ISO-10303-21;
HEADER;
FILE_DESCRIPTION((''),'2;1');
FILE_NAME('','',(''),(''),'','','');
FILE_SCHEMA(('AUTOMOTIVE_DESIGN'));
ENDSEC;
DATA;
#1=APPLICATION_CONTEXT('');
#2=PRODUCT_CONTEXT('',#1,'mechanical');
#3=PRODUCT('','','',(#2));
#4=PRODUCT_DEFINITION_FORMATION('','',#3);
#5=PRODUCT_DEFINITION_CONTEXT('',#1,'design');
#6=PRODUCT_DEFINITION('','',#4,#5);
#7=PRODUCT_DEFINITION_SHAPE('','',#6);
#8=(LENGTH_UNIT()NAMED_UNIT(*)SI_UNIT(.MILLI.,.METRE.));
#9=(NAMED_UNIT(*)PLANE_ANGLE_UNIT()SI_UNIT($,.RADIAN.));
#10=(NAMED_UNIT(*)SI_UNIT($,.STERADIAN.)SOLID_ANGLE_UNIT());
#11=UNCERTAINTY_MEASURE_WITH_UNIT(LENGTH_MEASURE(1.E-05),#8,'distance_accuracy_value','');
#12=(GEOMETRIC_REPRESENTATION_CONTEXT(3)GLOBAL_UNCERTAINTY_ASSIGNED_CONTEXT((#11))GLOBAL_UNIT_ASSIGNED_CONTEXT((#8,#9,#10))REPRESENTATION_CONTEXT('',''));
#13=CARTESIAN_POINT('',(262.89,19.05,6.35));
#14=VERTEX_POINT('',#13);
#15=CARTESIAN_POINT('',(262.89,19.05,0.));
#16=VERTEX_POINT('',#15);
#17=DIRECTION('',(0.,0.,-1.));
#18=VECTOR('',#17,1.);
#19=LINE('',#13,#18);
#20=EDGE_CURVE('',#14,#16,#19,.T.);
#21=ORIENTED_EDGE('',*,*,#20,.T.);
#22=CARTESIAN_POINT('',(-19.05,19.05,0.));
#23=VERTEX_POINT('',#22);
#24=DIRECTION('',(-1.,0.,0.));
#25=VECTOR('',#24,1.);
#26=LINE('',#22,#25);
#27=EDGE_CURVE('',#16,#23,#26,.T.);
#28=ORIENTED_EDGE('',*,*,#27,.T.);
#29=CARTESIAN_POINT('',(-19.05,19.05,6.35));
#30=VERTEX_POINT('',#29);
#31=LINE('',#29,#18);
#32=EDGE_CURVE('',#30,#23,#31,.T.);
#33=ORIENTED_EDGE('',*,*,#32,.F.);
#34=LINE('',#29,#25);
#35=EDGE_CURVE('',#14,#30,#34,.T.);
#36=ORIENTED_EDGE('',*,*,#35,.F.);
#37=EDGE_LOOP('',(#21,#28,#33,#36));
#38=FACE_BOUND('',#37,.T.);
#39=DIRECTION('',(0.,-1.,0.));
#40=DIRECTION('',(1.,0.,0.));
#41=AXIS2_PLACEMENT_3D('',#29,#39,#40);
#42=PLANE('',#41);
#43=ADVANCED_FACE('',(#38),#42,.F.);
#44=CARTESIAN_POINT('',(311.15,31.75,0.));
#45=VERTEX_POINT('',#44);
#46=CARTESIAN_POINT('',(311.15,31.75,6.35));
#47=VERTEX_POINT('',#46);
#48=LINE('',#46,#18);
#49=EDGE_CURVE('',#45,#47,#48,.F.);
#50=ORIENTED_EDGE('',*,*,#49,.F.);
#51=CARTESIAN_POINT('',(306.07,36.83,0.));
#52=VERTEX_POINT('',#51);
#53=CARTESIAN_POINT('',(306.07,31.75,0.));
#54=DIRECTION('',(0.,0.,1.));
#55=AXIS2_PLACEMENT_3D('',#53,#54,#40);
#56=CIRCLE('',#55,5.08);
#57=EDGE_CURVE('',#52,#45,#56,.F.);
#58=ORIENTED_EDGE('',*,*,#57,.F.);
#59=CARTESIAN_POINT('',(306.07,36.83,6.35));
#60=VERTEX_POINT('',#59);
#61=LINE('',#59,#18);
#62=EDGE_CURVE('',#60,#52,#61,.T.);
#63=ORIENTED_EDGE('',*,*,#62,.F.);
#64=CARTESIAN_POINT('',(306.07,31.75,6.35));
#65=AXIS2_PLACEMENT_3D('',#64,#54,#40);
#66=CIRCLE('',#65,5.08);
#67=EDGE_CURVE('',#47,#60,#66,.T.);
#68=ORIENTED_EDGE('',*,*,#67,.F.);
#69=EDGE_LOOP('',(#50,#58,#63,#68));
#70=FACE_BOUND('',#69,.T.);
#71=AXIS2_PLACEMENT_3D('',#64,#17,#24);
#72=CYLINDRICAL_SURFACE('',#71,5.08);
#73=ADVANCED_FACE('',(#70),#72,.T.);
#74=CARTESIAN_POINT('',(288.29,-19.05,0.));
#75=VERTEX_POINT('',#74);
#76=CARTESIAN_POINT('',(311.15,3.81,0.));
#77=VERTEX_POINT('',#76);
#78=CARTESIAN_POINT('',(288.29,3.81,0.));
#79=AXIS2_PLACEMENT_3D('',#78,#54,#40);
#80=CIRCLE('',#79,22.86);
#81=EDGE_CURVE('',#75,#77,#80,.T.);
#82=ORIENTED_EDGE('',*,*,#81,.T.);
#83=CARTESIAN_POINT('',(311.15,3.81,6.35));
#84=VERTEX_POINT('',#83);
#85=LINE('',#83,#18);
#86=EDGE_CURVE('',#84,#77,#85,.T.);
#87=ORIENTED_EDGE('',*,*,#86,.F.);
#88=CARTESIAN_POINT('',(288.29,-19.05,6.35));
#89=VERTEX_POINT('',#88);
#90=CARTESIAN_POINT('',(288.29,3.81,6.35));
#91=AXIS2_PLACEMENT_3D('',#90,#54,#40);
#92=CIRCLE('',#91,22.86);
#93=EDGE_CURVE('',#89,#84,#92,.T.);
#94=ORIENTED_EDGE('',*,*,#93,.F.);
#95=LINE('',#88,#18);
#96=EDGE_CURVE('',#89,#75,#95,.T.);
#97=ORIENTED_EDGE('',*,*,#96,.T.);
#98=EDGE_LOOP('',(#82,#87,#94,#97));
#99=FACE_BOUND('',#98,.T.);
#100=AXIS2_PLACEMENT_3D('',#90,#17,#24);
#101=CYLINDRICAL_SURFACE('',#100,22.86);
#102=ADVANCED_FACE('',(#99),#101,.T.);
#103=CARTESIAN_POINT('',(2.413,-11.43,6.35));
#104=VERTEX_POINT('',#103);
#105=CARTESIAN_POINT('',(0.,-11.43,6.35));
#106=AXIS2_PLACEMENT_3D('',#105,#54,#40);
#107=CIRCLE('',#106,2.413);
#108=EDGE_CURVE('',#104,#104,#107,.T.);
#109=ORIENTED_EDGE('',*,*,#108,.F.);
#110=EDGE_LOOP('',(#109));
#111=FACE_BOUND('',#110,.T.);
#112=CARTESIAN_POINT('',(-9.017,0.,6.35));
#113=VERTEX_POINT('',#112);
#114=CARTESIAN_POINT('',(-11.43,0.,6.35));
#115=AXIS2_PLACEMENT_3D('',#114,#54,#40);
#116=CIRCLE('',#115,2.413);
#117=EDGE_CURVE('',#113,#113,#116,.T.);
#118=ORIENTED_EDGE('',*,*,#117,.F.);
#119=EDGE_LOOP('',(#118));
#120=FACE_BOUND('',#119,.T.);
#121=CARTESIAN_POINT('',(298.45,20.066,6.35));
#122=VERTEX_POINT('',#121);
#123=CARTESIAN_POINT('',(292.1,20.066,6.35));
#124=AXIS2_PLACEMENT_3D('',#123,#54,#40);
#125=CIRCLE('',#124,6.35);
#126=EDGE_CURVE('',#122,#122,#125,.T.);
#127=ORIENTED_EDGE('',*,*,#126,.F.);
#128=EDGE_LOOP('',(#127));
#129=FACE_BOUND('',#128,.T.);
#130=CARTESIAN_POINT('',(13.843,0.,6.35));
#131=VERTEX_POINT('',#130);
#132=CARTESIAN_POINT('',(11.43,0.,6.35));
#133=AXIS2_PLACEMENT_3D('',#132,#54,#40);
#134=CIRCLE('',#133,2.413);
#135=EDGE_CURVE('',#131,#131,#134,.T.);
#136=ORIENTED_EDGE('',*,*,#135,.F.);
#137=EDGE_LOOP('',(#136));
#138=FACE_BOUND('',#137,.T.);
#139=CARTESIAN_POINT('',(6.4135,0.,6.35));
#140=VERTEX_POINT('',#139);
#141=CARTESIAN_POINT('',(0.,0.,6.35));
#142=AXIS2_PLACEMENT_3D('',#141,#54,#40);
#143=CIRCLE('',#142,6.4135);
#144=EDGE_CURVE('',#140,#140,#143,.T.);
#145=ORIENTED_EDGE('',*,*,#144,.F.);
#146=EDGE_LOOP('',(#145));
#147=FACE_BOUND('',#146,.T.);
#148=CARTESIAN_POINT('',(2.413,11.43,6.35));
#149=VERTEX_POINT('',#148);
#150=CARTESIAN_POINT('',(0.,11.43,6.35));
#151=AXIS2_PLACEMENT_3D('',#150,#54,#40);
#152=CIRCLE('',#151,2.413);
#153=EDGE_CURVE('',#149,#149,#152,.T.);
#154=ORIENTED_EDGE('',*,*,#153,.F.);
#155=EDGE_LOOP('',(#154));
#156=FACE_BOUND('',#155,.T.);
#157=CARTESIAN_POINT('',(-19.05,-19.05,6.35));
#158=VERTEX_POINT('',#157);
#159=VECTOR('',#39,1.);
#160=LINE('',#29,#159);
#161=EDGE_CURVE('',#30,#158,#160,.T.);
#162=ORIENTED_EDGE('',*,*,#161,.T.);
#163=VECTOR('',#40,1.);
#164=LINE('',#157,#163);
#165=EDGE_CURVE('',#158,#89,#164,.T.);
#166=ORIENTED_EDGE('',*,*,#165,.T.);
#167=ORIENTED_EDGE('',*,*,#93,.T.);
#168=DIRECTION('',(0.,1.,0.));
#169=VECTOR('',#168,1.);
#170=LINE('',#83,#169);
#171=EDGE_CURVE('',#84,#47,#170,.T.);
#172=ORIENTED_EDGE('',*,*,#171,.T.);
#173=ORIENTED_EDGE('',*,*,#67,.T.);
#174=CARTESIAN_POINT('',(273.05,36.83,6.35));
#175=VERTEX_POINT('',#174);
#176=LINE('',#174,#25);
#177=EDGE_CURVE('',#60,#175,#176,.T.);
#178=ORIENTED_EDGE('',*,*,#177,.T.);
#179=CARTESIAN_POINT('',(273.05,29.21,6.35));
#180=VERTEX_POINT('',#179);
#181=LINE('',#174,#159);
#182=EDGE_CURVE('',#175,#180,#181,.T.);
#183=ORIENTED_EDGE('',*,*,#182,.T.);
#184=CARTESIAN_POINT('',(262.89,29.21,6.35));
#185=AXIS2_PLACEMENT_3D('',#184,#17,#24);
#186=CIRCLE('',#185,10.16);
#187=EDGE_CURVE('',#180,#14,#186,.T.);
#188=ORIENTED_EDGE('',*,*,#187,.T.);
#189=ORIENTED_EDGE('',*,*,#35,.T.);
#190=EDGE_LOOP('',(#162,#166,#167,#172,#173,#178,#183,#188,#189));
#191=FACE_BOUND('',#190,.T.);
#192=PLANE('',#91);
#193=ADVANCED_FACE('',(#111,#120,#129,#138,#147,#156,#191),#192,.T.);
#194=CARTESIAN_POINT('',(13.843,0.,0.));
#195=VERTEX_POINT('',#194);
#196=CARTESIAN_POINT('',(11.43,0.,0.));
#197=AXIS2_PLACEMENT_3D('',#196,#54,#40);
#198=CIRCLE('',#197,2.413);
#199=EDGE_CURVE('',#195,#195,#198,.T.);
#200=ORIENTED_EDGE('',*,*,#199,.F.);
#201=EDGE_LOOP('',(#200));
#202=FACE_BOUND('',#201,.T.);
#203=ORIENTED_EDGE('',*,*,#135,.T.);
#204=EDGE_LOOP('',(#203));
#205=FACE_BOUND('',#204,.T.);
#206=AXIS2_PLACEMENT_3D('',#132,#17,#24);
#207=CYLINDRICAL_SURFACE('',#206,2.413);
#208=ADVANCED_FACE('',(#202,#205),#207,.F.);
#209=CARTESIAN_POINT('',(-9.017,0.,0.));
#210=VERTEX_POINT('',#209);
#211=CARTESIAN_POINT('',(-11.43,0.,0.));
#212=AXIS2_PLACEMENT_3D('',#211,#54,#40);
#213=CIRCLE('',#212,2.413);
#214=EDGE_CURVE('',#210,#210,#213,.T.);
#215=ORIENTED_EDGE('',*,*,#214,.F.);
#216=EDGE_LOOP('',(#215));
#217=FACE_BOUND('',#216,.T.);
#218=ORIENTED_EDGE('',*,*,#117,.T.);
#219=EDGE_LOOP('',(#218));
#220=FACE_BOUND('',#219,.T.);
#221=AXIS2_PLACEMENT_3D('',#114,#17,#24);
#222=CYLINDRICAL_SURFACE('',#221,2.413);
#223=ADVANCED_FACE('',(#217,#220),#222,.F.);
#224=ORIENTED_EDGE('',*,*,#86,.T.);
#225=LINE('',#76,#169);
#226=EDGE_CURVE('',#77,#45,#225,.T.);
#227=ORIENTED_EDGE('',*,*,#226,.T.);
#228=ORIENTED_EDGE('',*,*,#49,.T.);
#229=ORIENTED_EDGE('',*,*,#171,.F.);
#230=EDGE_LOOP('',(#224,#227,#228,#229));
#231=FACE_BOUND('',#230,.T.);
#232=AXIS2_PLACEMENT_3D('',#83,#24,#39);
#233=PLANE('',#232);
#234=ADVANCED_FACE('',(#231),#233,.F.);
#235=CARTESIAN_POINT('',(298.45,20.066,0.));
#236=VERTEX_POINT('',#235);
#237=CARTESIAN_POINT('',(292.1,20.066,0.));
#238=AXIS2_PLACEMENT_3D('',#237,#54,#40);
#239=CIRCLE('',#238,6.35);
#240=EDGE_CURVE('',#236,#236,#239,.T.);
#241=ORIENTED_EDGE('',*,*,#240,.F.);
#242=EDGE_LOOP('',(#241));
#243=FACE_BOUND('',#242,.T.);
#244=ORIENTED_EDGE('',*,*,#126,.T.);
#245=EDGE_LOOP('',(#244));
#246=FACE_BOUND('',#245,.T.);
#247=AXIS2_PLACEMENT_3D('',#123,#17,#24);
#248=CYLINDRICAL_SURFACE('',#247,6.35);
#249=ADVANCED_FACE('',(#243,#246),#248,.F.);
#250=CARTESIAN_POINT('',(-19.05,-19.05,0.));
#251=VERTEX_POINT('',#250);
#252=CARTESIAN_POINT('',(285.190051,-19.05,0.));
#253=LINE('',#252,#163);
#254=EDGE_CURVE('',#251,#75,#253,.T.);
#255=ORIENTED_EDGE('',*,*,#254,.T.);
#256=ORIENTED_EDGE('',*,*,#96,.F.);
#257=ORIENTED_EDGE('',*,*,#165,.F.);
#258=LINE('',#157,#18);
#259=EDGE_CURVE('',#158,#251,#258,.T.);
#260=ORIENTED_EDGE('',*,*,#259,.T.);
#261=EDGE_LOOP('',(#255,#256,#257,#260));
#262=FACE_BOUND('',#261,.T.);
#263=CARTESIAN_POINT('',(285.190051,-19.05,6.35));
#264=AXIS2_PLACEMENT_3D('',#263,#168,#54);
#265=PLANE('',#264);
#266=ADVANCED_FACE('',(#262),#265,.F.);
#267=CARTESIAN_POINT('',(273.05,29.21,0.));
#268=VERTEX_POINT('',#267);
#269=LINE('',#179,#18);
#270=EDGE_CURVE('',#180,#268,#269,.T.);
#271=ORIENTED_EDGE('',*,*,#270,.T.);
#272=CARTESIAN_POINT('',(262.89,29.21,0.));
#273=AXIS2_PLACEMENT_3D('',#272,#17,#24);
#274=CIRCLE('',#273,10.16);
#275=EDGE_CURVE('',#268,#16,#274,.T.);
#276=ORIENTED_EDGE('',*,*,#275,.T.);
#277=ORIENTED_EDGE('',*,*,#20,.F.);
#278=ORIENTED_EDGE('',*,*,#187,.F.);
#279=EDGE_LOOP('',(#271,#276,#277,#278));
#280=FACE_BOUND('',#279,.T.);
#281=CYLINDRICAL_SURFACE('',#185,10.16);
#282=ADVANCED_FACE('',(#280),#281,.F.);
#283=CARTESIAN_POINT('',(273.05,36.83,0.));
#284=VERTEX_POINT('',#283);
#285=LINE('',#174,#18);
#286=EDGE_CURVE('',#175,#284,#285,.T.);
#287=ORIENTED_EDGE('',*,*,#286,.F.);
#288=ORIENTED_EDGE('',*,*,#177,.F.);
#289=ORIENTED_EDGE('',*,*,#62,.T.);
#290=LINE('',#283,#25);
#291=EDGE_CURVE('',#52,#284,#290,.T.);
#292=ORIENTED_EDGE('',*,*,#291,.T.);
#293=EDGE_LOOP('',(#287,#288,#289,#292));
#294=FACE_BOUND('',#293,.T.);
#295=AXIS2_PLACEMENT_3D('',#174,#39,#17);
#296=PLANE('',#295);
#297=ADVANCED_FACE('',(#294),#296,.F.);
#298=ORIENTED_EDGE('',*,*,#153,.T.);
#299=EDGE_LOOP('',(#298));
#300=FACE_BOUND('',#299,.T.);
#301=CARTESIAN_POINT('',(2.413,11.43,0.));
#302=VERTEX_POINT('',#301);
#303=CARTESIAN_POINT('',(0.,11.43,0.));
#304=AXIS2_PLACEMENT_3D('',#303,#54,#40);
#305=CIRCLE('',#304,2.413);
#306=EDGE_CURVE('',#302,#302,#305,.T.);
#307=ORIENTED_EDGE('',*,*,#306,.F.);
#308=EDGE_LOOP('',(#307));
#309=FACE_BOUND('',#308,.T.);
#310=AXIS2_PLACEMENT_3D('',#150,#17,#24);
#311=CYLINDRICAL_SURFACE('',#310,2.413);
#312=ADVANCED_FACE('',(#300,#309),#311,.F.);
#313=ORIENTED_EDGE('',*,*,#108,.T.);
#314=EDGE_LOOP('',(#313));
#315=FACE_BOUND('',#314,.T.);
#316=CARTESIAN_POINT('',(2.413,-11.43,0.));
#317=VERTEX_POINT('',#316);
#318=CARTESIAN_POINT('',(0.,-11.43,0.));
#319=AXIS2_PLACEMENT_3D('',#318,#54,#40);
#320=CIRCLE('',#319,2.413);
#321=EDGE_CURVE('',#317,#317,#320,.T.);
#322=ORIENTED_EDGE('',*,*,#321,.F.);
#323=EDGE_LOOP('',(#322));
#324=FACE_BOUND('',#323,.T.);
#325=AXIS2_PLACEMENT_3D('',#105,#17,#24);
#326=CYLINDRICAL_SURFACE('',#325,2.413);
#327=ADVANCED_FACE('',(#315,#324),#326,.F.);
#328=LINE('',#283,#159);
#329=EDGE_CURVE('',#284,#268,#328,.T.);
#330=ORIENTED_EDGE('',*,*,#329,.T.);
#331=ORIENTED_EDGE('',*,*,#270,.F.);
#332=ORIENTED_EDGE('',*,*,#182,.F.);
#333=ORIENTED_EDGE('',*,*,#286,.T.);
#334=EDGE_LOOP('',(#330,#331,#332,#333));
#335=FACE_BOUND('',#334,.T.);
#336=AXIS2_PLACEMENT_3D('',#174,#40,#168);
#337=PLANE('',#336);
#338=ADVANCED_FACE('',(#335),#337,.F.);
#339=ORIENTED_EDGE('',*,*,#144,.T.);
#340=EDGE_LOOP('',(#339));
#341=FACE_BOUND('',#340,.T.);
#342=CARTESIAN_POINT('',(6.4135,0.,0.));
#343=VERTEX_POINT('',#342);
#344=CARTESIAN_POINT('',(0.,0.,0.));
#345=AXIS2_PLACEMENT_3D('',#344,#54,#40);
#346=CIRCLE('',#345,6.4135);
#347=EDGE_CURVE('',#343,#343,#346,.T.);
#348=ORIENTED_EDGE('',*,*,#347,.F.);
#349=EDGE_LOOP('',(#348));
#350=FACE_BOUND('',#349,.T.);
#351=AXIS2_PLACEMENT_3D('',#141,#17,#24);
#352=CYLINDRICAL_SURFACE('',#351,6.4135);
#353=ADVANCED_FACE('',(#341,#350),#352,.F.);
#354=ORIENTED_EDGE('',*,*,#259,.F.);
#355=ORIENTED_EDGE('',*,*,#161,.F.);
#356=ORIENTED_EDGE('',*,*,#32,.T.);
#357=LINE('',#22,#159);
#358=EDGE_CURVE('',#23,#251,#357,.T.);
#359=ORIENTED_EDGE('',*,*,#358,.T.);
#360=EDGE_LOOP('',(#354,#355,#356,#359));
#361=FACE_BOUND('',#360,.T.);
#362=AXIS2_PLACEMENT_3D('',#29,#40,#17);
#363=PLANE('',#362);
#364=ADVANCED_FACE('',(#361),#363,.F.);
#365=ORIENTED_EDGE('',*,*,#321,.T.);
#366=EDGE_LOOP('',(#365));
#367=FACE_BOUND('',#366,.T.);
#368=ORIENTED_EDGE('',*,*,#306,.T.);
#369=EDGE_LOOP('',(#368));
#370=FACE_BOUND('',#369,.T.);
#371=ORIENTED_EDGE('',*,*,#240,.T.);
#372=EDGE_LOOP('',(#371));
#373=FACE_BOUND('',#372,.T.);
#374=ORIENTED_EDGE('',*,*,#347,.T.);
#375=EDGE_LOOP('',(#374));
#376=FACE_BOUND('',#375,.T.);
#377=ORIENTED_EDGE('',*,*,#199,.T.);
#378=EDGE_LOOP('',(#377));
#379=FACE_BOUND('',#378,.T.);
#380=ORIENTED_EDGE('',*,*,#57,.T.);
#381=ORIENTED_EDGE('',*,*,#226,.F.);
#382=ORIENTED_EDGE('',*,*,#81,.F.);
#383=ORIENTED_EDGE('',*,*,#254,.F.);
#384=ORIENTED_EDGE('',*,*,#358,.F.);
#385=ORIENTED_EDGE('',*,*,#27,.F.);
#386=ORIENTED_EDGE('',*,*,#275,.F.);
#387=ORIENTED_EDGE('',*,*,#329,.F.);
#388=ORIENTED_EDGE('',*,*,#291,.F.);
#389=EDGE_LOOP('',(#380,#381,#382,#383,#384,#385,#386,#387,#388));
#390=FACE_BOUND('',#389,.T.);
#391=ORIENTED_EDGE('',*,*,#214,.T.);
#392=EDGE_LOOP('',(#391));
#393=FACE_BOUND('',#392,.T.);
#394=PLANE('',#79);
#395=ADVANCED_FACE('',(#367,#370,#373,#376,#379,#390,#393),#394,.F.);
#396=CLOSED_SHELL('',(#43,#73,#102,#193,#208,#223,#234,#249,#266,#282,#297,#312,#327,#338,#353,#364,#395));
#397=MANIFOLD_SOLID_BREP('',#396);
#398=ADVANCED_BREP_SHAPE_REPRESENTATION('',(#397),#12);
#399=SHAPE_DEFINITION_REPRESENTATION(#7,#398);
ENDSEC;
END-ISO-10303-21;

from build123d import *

# Parameters (mm, degrees)
SKETCH1_R           = 6.4135
SKETCH1_R_2         = 2.413
SKETCH1_R_3         = 6.35
BOSS_EXTRUDE1_DEPTH = 6.35
FILLET1_R           = 5.08


with BuildPart() as part:
    # Sketch1 → Boss-Extrude1 (new body)
    with BuildSketch(Plane.XY):
        with BuildLine():
            Line((273.05, 36.83), (273.05, 29.21))
            ThreePointArc((273.05, 29.21), (270.074204897, 22.025795103), (262.89, 19.05))
            Line((262.89, 19.05), (-19.05, 19.05))
            Line((-19.05, 19.05), (-19.05, -19.05))
            Line((-19.05, -19.05), (285.190051277, -19.05))
            Line((285.190051277, -19.05), (288.29, -19.05))
            ThreePointArc((288.29, -19.05), (304.454461018, -12.354461018), (311.15, 3.81))
            Line((311.15, 3.81), (311.15, 36.83))
            Line((311.15, 36.83), (273.05, 36.83))
        make_face()
        Circle(SKETCH1_R, mode=Mode.SUBTRACT)
        with Locations((0, 11.43)):
            Circle(SKETCH1_R_2, mode=Mode.SUBTRACT)
        with Locations((11.43, 0)):
            Circle(SKETCH1_R_2, mode=Mode.SUBTRACT)
        with Locations((0, -11.43)):
            Circle(SKETCH1_R_2, mode=Mode.SUBTRACT)
        with Locations((-11.43, 0)):
            Circle(SKETCH1_R_2, mode=Mode.SUBTRACT)
        with Locations((292.1, 20.066)):
            Circle(SKETCH1_R_3, mode=Mode.SUBTRACT)
    extrude(amount=BOSS_EXTRUDE1_DEPTH)

    # Fillet1
    fillet1_edges = [part.edges().sort_by_distance(p)[0] for p in [
        (311.15, 36.83, 3.175),
    ]]
    fillet(fillet1_edges, radius=FILLET1_R)


solid = part.part
